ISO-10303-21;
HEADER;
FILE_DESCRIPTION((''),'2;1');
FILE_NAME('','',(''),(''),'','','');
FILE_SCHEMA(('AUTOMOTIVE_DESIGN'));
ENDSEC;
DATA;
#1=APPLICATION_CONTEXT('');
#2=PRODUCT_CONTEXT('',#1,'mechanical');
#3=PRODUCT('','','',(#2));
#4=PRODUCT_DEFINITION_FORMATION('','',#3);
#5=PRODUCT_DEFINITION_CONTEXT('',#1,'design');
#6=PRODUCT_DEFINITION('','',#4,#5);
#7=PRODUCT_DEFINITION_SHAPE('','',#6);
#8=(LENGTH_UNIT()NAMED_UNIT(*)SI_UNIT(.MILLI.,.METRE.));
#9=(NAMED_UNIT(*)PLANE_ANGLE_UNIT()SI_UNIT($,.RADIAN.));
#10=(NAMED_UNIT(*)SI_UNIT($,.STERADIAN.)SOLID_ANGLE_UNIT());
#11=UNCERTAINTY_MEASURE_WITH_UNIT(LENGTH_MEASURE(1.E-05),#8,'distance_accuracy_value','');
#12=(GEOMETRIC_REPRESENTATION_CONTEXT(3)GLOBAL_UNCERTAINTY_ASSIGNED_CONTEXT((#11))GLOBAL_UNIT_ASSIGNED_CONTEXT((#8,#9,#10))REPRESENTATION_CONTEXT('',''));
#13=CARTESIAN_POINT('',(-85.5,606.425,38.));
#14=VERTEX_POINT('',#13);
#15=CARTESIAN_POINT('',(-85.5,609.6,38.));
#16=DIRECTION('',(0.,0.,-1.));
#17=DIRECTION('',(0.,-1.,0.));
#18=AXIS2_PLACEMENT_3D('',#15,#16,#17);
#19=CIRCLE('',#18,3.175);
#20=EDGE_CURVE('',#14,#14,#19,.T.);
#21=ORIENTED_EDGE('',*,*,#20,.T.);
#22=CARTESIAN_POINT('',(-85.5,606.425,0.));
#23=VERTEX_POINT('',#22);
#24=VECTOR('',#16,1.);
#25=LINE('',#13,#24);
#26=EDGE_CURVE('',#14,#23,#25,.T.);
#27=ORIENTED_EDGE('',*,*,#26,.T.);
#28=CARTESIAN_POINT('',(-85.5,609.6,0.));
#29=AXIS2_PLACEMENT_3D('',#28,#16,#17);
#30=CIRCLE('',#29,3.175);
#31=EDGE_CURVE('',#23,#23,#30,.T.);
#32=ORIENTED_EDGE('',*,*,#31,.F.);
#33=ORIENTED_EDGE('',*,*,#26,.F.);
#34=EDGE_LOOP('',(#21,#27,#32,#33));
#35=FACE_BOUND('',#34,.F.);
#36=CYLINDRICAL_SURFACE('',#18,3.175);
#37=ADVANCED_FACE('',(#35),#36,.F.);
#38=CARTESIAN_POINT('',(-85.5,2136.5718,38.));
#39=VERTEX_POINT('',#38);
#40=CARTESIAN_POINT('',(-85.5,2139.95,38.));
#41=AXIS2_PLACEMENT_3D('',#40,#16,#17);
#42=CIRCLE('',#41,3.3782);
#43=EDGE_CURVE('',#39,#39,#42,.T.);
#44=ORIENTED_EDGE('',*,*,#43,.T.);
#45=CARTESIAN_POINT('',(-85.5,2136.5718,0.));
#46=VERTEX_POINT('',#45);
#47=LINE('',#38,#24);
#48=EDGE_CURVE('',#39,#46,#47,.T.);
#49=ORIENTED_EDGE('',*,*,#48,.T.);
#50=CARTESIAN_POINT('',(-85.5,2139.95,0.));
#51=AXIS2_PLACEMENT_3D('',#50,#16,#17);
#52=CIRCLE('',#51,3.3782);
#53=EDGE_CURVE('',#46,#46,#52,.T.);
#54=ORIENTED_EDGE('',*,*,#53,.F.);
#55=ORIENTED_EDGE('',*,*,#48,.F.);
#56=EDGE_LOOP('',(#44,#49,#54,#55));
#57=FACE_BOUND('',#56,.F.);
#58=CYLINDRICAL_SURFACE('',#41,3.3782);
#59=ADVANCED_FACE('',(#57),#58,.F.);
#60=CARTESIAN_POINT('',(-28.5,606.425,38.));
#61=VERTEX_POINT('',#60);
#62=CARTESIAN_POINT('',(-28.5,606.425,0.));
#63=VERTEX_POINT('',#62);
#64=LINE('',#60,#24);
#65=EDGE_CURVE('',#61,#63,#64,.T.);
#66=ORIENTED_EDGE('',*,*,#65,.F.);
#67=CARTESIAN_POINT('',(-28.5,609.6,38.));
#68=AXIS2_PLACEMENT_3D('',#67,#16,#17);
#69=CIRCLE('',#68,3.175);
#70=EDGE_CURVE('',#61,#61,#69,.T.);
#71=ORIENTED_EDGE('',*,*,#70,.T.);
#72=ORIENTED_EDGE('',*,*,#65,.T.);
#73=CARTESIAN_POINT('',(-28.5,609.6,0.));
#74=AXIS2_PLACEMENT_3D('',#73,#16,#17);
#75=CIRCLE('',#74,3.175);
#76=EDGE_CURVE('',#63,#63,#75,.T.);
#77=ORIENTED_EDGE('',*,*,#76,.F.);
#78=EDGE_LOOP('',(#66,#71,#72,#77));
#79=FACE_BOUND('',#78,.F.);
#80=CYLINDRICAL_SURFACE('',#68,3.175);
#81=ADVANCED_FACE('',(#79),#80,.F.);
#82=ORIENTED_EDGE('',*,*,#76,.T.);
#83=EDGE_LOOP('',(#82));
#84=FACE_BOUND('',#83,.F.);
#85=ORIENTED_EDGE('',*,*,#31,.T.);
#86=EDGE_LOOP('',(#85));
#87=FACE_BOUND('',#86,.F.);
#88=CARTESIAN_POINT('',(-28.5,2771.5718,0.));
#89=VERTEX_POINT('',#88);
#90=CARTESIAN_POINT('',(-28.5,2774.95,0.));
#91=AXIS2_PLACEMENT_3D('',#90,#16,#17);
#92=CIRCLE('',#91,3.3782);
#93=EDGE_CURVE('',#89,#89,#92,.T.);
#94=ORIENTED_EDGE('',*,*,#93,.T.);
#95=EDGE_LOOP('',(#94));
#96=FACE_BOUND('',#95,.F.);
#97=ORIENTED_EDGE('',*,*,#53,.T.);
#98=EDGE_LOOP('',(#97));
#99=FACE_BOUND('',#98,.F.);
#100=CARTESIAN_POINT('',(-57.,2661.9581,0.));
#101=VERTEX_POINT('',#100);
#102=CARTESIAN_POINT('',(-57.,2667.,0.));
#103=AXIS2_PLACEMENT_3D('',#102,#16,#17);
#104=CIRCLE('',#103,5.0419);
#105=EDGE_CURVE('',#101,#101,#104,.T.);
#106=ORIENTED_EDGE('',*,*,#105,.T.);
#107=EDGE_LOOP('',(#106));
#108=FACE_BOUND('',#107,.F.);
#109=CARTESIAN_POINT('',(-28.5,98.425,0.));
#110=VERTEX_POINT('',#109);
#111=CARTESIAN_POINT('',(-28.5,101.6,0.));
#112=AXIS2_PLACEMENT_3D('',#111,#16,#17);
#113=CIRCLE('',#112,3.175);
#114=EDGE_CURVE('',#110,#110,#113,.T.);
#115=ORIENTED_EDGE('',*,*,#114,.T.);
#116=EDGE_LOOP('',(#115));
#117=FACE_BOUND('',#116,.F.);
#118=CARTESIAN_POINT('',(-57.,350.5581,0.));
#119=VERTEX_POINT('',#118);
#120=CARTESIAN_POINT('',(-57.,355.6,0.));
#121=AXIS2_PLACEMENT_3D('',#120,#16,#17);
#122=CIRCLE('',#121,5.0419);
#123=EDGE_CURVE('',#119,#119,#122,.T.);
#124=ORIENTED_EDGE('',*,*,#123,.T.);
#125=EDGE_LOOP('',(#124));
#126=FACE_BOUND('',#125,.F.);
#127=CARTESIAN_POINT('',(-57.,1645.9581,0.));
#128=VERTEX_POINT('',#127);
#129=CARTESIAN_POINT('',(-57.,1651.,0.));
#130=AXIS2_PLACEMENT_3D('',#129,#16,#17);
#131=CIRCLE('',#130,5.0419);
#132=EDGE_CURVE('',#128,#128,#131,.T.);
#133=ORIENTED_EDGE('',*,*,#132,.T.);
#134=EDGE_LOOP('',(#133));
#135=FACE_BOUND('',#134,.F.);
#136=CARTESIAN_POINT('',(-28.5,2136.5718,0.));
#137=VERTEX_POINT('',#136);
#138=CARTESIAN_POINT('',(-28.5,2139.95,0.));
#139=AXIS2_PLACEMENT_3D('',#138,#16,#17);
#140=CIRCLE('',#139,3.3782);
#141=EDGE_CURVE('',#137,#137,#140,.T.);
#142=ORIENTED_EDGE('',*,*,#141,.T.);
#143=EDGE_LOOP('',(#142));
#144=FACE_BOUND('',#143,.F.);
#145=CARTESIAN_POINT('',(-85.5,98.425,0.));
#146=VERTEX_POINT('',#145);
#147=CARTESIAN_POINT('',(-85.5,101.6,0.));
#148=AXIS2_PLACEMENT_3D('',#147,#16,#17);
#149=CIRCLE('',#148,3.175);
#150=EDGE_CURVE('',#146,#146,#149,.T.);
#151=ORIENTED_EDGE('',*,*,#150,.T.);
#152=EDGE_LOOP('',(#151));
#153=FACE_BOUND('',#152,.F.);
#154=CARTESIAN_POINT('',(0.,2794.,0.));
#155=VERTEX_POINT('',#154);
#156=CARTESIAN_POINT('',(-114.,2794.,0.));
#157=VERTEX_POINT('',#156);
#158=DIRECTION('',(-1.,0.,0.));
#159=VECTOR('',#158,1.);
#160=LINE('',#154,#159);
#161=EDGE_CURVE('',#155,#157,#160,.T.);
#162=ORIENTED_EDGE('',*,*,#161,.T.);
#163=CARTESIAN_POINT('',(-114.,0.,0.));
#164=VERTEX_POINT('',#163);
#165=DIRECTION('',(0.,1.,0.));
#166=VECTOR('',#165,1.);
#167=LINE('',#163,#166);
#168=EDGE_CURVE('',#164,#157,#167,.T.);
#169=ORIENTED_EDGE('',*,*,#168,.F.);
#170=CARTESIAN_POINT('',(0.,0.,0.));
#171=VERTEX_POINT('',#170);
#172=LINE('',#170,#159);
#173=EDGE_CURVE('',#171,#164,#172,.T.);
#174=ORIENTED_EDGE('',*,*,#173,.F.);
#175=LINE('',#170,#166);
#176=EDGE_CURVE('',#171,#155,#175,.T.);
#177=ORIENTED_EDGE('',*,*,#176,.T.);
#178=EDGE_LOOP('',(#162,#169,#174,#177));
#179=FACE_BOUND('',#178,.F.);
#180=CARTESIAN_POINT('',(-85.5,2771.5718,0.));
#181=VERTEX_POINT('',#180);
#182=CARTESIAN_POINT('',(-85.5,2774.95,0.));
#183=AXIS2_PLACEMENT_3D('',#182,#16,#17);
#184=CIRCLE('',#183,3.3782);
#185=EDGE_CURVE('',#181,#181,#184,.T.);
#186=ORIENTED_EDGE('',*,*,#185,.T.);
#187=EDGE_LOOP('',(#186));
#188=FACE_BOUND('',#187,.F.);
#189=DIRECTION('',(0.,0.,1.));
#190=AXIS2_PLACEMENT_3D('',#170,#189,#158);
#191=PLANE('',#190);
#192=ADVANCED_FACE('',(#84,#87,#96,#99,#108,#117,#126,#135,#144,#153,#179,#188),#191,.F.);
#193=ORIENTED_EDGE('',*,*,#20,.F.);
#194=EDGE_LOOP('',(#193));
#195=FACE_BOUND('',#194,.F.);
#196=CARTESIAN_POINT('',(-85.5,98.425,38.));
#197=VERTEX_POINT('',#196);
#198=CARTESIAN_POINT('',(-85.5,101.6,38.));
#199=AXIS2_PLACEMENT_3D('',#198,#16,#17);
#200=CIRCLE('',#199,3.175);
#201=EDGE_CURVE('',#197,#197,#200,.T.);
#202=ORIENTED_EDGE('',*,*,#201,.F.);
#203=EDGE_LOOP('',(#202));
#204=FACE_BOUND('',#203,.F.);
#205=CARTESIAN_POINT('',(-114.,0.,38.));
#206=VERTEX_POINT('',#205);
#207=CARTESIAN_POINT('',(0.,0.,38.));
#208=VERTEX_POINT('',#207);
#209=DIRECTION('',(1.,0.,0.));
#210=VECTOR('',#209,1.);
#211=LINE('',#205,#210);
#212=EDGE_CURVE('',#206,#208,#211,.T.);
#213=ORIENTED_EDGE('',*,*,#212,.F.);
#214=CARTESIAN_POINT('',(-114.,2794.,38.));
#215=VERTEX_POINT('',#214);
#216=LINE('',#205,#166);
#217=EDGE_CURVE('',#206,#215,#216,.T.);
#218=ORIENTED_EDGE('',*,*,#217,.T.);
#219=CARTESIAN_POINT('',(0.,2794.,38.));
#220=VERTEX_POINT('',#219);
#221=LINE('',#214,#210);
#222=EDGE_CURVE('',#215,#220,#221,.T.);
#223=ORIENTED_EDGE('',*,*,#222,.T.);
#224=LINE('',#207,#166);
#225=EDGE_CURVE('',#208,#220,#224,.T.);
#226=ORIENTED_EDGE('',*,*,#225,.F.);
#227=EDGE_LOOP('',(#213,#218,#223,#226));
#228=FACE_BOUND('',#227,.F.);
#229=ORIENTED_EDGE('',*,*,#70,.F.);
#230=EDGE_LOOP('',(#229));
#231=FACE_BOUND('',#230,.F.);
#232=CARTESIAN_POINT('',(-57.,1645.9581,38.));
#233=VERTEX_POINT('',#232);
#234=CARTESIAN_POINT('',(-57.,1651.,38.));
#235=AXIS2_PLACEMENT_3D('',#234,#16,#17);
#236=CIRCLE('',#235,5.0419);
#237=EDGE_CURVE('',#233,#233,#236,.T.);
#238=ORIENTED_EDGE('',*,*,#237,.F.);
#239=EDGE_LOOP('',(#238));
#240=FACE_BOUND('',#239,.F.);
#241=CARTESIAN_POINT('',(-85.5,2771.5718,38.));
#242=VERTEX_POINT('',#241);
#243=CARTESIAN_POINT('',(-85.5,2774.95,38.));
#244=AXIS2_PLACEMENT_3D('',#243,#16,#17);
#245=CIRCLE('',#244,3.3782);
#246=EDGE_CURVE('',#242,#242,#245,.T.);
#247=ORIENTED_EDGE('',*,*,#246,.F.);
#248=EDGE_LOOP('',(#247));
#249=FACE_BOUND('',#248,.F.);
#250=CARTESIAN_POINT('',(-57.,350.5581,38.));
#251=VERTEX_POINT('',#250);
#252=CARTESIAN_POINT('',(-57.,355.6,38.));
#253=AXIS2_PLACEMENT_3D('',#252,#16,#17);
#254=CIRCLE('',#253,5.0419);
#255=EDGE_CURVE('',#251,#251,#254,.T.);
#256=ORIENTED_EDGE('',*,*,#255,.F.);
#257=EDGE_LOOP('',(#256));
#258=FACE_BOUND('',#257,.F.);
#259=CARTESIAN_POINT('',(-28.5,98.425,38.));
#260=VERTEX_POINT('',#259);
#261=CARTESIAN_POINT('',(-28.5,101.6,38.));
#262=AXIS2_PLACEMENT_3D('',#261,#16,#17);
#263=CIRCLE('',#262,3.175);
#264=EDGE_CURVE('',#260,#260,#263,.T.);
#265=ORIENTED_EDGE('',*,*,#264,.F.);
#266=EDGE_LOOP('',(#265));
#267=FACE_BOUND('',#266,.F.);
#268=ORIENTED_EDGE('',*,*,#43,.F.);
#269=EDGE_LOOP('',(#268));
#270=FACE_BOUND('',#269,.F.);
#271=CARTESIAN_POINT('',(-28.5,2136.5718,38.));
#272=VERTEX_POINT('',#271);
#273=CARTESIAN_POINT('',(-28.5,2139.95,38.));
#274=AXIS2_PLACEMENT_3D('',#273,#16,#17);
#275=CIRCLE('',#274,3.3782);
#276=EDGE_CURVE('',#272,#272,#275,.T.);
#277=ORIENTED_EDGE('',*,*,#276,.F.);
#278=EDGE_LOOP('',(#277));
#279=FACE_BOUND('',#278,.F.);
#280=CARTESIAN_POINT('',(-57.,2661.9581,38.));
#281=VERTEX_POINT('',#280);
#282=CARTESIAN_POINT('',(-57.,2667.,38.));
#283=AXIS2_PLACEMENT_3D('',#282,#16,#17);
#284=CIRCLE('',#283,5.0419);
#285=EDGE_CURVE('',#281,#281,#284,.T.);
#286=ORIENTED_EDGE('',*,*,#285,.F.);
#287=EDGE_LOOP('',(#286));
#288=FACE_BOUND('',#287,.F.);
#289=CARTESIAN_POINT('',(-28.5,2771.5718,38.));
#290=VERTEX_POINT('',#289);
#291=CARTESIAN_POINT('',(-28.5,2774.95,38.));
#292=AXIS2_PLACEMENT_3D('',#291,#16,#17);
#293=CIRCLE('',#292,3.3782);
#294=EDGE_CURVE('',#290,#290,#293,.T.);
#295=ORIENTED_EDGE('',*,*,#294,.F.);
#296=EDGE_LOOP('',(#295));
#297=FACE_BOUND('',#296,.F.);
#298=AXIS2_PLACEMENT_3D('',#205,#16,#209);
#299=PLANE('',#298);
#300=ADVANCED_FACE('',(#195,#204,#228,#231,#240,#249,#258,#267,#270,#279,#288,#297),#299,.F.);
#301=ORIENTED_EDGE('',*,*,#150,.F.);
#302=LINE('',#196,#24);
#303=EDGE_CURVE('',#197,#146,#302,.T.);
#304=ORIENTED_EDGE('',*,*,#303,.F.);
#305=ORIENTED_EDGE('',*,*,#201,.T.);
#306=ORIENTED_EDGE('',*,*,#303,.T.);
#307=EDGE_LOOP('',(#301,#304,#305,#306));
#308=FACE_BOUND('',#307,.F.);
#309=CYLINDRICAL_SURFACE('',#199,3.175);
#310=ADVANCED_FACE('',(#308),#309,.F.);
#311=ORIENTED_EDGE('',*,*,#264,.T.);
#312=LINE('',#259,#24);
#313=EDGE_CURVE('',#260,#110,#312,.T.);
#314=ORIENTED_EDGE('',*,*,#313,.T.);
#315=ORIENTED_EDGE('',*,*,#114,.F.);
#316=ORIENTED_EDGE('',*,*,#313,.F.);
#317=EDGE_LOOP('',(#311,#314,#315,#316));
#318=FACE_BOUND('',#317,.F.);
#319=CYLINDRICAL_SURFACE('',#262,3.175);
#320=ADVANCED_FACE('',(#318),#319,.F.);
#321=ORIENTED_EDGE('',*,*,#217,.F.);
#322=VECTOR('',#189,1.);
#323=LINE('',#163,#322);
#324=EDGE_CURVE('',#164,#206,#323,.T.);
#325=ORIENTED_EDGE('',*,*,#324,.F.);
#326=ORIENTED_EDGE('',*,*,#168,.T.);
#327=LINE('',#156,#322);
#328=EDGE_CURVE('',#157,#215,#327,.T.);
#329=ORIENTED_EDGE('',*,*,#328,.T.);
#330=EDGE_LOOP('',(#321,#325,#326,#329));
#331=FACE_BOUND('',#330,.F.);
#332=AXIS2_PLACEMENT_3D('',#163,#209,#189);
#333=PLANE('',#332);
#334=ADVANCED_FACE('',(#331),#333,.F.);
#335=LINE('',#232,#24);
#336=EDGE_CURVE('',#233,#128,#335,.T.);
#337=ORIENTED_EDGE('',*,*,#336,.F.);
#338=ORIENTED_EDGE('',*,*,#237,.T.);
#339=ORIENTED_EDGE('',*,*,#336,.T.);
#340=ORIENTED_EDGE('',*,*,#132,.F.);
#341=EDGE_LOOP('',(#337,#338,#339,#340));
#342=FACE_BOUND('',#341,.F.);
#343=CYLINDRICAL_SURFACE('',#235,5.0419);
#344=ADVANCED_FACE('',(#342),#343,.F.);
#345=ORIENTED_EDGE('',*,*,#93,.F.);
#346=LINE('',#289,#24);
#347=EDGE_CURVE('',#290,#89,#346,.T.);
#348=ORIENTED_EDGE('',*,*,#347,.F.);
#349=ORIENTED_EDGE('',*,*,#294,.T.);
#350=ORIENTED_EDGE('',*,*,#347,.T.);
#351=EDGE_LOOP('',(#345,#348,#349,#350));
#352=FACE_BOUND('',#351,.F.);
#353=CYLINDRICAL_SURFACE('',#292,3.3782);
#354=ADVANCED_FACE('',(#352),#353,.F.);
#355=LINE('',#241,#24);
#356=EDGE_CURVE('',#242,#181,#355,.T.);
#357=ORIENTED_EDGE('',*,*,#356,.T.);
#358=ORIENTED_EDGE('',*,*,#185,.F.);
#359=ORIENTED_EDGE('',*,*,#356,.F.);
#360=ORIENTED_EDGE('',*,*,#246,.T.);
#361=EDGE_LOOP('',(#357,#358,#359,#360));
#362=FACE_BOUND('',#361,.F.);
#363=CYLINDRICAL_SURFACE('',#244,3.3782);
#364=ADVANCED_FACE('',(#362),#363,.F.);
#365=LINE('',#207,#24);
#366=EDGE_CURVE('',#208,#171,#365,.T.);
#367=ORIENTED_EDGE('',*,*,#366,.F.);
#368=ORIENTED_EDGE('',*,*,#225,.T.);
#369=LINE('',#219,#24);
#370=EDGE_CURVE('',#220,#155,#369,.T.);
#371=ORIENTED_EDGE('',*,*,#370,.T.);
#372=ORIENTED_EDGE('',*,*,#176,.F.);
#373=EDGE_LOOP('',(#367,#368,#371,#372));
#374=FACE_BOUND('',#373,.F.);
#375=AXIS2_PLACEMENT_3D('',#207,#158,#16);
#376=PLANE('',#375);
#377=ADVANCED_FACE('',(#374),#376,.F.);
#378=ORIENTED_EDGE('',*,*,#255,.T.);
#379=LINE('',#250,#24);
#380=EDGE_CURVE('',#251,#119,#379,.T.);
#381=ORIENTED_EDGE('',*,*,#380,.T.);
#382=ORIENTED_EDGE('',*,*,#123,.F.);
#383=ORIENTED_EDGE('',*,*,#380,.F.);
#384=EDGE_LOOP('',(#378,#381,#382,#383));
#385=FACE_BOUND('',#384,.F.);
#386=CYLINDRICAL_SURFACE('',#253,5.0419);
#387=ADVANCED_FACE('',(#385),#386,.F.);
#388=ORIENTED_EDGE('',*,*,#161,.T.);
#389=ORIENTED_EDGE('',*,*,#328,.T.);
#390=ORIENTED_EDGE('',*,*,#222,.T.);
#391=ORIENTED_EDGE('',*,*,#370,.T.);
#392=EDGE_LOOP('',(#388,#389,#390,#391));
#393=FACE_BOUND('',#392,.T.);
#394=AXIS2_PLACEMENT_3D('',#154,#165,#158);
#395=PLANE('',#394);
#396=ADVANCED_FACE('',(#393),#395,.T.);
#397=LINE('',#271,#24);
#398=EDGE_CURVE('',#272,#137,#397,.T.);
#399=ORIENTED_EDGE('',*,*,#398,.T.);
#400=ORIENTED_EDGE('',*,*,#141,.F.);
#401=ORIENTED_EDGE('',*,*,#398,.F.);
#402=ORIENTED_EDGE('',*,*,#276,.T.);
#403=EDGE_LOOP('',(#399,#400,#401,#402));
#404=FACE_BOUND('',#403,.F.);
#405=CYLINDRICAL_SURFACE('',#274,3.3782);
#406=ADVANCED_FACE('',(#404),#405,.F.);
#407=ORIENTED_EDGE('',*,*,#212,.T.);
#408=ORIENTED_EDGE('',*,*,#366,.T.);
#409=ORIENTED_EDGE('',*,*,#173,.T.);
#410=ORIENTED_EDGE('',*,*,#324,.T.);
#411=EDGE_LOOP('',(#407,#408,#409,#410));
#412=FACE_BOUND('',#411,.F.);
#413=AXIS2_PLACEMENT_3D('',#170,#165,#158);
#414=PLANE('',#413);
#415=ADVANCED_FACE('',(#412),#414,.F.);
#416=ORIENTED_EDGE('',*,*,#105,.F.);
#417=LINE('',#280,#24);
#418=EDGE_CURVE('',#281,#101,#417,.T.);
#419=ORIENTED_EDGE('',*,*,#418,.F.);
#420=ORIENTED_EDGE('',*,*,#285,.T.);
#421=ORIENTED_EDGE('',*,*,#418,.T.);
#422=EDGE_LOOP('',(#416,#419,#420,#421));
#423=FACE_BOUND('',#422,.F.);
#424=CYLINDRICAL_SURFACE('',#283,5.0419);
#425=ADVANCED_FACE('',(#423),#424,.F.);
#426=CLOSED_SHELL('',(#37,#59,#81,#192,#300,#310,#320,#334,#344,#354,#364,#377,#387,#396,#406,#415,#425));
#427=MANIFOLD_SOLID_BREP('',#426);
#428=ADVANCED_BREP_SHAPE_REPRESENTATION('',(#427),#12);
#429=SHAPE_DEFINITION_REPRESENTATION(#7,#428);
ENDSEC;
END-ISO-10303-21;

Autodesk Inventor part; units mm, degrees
ref_plane "YZ Plane" through (0, 0, 0) normal (1, 0, 0) x (0, 1, 0)
ref_plane "XZ Plane" through (0, 0, 0) normal (0, 1, 0) x (-1, 0, 0)
ref_plane "XY Plane" through (0, 0, 0) normal (0, 0, 1) x (1, 0, 0)
sketch "Sketch1" plane through (0, 0, 0) normal (0, 1, 0) x (-1, 0, 0)
  line L0 (0, 0) -> (114, 0)
  line L1 (114, 0) -> (114, 38)
  line L2 (114, 38) -> (0, 38)
  line L3 (0, 38) -> (0, 0)
  dimension "d0" = 114
  dimension "d1" = 38
extrude "Extrusion1" add sketch "Sketch1" along normal blind 2794
sketch "Sketch3" plane through (-114, 0, 38) normal (0, 0, 1) x (1, 0, 0)
  line L0 (0, 0) -> (114, 0) projected
  line L1 (0, 0) -> (0, 2794) projected
  circle A0 centre (28.5, 101.6) radius 5.7238
  circle A1 centre (85.5, 101.6) radius 5.7238
  circle A2 centre (28.5, 609.6) radius 5.7238
  circle A3 centre (85.5, 609.6) radius 5.7238
  dimension "d28" = 101.6
  dimension "d29" = 28.5
  dimension "d32" = 57
  dimension "d35" = 508
hole "rimArm" at (-85.5, 609.6, 38) at (-28.5, 609.6, 38) at (-85.5, 101.6, 38) at (-28.5, 101.6, 38) direction (0, 0, -1) diameter 6.35 end through all
sketch "Sketch4" plane through (-114, 0, 38) normal (0, 0, 1) x (1, 0, 0)
  line L0 (0, 2794) -> (114, 2794) projected
  line L1 (0, 0) -> (0, 2794) projected
  circle A0 centre (28.5, 2774.95) radius 4.8454
  circle A1 centre (85.5, 2774.95) radius 4.8454
  circle A2 centre (28.5, 2139.95) radius 4.8454
  circle A3 centre (85.5, 2139.95) radius 4.8454
  dimension "d45" = 19.05
  dimension "d48" = 57
  dimension "d51" = 635
  dimension "d71" = 28.5
hole "screenArm" at (-85.5, 2774.95, 38) at (-28.5, 2774.95, 38) at (-28.5, 2139.95, 38) at (-85.5, 2139.95, 38) direction (0, 0, -1) diameter 6.7564 end through all clearance for "Flat Head Machine Screw (82)" size "1/4" standard "Ansi Unified Screw Threads"
sketch "Sketch5" plane through (-114, 0, 38) normal (0, 0, 1) x (1, 0, 0)
  line L0 (0, 0) -> (114, 0) projected
  line L1 (0, 2794) -> (114, 2794) projected
  circle A0 centre (57, 2667) radius 8.4367
  circle A1 centre (57, 1651) radius 12.5456
  circle A2 centre (57, 355.6) radius 11.5895
  line L2 (0, 0) -> (0, 2794) projected
  dimension "d61" = 127
  dimension "d62" = 355.6
  dimension "d70" = 1651
  dimension "d72" = 57
  dimension "d73" = 57
  dimension "d74" = 57
hole "poleAttach" at (-57, 2667, 38) at (-57, 1651, 38) at (-57, 355.6, 38) direction (0, 0, -1) diameter 10.0838 end through all clearance for "Flat Head Machine Screw (82)" size "3/8" standard "Ansi Unified Screw Threads"
equation "\"d29\" = 0.25 * d0"
equation "\"d32\" = 0.5 * d0"
equation "\"d48\" = 0.5 * d0"
equation "\"d71\" = 0.25 * d0"
equation "\"d72\" = 0.5 * d0"
equation "\"d73\" = 0.5 * d0"
equation "\"d74\" = 0.5 * d0"
properties part number "2p2psv" material "Wood (Cherry)"
